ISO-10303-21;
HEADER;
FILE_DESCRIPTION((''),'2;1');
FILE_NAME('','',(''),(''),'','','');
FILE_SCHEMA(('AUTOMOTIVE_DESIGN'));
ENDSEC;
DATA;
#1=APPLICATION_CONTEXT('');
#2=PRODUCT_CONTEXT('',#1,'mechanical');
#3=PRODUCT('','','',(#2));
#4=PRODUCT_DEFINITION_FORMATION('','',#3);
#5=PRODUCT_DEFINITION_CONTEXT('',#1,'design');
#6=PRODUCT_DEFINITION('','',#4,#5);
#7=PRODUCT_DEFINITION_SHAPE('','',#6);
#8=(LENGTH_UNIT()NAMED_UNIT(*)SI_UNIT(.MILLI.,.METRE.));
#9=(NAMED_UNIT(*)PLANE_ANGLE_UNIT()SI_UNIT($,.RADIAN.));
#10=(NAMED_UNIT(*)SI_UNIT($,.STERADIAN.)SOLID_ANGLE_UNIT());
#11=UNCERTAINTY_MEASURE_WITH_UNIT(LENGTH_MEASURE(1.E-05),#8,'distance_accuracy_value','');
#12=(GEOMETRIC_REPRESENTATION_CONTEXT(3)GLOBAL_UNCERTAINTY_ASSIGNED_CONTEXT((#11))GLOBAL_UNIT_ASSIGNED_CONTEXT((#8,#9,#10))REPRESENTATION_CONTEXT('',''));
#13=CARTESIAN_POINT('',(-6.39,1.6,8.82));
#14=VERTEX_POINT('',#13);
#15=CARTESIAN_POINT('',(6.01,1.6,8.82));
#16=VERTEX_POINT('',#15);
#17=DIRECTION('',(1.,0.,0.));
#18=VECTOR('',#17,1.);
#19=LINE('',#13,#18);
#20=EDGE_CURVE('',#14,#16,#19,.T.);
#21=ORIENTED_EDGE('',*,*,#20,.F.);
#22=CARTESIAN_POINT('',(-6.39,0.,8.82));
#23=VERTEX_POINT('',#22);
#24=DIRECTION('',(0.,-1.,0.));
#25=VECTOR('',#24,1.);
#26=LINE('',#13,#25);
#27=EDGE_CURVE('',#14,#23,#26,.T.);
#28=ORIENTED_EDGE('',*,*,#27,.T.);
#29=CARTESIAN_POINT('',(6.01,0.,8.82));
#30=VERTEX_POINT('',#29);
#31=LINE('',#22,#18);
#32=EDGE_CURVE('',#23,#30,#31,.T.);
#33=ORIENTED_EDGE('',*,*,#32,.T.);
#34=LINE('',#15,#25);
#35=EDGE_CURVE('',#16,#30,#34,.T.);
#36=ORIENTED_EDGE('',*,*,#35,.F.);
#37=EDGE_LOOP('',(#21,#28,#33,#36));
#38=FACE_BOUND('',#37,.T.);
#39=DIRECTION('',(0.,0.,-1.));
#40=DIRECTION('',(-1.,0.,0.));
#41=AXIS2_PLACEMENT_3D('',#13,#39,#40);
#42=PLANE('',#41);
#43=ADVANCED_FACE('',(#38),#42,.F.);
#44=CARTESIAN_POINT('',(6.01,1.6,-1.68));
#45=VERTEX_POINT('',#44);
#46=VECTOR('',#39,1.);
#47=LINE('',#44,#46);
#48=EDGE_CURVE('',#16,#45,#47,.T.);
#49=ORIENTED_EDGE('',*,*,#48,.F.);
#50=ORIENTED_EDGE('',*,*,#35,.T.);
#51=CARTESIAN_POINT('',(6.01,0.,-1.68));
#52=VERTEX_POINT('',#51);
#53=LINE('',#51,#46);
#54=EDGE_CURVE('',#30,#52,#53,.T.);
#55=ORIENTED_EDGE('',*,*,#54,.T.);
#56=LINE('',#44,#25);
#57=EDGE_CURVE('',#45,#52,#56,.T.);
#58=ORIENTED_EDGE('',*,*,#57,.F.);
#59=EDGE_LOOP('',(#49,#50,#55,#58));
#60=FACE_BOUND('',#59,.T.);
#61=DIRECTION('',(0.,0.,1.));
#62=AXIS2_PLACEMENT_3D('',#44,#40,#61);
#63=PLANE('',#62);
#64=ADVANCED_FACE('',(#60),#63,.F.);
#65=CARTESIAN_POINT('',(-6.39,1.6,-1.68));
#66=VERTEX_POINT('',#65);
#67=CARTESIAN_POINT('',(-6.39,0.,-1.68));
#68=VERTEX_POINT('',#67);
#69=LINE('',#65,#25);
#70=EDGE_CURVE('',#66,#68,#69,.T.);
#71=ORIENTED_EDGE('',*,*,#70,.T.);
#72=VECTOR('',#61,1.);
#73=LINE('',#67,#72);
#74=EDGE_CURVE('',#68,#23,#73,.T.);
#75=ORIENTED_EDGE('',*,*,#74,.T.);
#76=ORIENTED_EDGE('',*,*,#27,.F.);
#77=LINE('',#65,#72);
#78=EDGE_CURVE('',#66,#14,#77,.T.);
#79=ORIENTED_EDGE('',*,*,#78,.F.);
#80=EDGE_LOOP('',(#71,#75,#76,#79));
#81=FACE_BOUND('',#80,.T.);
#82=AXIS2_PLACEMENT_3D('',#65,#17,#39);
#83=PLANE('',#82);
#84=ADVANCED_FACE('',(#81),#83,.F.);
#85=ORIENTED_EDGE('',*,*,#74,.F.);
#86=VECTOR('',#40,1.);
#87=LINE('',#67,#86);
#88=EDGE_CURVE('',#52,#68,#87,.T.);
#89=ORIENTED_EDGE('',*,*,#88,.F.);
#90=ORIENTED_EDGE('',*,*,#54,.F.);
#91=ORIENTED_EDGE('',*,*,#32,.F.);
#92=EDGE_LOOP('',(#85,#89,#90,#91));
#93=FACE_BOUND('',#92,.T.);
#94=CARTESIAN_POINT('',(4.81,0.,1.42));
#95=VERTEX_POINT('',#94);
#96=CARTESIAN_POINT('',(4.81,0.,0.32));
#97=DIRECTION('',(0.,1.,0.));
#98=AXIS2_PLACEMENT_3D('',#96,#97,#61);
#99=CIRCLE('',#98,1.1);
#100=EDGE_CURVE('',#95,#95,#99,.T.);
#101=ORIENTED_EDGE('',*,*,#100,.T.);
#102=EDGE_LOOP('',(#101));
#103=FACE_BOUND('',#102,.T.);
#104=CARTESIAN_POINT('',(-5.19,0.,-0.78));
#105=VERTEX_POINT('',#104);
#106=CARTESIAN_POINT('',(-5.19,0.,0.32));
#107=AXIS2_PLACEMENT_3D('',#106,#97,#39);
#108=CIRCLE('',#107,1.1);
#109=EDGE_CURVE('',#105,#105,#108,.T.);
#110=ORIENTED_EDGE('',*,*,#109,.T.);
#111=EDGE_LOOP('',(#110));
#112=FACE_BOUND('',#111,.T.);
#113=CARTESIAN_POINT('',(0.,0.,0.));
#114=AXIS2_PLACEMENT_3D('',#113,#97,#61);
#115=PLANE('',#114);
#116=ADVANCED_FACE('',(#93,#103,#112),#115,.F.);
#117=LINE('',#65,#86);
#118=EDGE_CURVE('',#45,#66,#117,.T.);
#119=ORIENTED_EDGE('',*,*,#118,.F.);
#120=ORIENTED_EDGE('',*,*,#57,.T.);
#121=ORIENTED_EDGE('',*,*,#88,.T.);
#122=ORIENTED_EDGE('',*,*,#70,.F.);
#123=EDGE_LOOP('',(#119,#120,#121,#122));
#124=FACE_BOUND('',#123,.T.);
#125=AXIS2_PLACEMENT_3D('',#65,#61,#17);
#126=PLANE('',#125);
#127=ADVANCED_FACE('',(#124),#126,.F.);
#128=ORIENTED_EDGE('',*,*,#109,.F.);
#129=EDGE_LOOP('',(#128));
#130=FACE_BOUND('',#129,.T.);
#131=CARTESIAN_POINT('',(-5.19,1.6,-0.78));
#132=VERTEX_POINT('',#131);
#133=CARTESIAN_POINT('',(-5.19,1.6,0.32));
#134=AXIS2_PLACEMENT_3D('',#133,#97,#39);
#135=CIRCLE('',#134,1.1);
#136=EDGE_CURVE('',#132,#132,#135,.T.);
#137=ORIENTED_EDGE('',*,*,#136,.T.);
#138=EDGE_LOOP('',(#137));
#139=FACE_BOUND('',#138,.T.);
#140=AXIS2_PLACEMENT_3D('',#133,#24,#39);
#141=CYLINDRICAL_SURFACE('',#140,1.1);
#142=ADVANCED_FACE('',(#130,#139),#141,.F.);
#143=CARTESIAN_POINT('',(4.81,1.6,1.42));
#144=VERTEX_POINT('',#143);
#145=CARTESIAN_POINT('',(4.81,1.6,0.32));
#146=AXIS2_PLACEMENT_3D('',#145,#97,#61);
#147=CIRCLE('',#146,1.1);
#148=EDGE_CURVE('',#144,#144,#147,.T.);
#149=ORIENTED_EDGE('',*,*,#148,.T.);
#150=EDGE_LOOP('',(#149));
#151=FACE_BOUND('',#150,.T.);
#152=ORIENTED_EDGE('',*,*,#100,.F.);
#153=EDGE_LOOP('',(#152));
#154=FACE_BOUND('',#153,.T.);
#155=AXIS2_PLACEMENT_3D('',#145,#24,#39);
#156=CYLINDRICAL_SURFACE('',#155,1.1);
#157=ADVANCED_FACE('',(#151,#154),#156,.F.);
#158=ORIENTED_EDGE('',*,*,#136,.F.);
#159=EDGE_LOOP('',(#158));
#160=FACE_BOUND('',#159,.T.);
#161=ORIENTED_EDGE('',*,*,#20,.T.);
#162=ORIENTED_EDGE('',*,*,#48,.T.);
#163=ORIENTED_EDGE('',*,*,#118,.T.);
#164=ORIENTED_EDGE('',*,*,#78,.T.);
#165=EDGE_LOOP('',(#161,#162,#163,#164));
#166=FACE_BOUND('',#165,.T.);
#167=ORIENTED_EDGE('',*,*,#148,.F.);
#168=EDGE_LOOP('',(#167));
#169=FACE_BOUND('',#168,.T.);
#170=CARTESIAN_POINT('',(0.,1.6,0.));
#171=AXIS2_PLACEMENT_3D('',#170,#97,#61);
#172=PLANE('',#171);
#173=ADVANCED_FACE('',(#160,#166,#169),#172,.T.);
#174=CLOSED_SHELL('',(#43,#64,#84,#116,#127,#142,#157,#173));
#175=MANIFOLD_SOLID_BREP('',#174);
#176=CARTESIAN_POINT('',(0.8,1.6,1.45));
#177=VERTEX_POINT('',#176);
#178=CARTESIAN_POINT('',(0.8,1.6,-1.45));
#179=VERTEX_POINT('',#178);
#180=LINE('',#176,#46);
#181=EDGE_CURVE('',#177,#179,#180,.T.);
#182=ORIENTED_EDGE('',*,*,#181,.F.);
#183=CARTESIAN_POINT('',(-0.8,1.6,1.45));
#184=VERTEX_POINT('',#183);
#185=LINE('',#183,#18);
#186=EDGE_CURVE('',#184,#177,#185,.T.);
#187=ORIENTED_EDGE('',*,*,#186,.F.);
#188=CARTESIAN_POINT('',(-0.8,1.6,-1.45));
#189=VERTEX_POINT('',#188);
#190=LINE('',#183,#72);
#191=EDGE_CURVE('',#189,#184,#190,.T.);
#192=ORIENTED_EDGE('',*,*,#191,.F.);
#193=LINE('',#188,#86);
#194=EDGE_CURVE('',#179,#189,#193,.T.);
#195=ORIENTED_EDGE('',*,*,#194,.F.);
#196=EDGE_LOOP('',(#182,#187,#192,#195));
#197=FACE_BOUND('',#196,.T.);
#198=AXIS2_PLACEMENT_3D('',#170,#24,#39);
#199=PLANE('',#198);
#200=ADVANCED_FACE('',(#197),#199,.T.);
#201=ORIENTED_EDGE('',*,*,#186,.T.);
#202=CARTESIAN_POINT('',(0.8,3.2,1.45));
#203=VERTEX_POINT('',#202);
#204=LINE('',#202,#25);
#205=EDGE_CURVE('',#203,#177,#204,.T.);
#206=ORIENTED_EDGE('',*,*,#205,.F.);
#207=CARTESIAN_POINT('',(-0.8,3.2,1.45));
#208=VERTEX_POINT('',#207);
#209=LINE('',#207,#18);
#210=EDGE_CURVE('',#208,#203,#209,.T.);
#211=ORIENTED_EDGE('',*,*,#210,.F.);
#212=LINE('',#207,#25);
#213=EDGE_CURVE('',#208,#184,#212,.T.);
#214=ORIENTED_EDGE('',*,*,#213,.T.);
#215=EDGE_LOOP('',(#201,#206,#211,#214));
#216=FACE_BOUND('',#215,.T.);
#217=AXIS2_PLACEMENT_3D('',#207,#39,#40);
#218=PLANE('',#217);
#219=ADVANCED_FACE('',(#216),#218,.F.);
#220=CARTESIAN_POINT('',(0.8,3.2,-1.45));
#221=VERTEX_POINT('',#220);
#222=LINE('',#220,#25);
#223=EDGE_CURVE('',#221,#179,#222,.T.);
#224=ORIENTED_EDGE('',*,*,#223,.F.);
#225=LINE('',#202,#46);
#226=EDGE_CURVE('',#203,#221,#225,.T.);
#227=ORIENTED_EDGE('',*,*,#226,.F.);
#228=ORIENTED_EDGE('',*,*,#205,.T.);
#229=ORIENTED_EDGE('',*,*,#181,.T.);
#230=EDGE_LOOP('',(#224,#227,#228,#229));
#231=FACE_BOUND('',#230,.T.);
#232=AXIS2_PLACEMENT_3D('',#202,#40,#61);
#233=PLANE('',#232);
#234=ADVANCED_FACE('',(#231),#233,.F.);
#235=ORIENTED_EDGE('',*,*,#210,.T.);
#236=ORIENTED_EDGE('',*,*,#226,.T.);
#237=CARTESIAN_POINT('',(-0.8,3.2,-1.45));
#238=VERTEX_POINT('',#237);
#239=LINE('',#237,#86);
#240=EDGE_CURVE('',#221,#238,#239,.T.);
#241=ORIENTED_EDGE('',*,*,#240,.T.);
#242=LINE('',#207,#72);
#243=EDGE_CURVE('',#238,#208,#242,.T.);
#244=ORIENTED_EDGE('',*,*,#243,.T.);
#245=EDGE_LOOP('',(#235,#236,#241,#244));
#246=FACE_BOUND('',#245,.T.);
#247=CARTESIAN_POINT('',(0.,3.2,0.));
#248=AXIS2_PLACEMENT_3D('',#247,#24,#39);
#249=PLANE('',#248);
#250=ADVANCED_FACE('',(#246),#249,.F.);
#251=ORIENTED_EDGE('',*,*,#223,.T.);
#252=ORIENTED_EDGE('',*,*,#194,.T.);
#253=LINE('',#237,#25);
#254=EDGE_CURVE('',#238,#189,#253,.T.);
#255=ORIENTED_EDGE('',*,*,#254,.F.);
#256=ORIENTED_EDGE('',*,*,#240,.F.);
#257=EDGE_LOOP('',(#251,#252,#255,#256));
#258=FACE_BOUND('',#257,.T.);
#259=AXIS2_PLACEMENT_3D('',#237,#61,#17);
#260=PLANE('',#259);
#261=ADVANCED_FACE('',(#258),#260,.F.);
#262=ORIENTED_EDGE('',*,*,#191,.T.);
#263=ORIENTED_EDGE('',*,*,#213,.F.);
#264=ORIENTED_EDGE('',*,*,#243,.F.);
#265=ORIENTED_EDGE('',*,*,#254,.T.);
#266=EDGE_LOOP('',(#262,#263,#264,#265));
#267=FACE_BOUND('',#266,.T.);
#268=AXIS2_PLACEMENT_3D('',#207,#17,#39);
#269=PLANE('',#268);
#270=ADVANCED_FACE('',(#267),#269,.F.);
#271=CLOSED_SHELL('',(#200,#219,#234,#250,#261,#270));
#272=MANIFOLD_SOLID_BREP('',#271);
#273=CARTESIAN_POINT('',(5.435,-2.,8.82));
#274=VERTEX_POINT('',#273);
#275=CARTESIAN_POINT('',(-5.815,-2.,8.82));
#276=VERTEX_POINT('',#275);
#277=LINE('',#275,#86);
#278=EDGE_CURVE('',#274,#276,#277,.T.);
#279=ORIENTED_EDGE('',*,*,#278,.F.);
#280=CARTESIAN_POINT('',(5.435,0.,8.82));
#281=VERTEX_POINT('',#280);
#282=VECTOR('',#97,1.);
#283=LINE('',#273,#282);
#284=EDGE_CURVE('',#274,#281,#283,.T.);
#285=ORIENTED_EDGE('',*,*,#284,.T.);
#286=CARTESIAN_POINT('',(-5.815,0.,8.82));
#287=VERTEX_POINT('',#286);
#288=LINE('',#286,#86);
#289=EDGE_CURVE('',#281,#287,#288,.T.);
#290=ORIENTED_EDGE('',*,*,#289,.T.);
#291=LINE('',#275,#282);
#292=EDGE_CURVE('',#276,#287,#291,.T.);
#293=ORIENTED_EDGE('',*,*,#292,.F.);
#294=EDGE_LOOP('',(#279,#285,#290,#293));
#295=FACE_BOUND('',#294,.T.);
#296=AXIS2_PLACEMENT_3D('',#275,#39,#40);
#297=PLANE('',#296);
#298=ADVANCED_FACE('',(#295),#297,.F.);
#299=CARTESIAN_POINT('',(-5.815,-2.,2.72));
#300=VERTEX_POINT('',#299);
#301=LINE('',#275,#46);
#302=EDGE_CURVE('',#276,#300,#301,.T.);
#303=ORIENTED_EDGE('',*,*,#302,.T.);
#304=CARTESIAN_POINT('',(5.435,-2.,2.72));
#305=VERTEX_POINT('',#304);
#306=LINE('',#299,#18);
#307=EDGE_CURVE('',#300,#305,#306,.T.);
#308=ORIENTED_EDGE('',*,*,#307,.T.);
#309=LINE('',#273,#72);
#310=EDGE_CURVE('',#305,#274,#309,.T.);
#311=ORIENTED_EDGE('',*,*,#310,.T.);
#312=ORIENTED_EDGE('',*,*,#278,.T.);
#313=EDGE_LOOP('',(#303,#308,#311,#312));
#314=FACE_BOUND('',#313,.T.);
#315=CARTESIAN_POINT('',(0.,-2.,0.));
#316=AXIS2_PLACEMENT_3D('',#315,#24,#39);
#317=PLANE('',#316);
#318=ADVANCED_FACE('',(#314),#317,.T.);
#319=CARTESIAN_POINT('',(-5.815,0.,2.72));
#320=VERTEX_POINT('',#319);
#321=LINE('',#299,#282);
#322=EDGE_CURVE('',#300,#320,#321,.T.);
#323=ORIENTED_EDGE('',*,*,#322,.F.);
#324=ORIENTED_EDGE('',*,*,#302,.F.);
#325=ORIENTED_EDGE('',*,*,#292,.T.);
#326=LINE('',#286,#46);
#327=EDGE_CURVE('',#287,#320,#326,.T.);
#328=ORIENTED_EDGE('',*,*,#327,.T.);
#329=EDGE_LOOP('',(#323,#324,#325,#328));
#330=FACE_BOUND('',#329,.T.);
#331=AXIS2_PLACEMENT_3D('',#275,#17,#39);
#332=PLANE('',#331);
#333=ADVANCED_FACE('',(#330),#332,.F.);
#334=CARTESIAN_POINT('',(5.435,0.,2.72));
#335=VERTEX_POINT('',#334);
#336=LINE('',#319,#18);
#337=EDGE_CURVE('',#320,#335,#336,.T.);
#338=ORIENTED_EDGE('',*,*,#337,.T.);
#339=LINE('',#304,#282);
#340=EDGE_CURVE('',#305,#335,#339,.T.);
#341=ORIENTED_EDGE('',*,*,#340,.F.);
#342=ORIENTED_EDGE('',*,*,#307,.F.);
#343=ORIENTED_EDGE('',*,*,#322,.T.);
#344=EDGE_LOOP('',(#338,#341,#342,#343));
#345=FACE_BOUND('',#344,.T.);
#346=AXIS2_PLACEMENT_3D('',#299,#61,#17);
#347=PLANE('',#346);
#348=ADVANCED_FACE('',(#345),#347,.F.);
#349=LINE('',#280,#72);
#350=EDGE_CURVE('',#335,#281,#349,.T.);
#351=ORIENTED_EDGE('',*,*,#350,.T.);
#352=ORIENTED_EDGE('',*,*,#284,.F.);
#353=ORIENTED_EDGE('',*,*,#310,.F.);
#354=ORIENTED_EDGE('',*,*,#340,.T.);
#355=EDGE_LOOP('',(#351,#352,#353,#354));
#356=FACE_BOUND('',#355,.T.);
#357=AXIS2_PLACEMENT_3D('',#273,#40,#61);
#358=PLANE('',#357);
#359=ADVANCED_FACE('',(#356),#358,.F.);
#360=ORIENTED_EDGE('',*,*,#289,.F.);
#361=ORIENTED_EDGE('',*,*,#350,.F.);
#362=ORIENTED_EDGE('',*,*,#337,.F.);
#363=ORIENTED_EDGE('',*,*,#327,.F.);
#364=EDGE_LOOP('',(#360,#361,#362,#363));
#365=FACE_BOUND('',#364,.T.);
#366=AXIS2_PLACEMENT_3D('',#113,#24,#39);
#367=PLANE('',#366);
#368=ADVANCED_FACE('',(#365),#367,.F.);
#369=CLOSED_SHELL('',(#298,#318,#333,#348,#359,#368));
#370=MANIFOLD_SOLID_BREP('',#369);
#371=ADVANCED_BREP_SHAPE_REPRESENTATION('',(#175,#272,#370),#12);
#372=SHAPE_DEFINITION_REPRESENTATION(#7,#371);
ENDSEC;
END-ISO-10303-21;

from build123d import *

# Parameters (mm, degrees)
SKETCH1_W           = 12.4
SKETCH1_H           = 10.5
BOSS_EXTRUDE1_DEPTH = 1.6
SKETCH2_R           = 1.1
CUT_EXTRUDE1_DEPTH  = 12.008383169
SKETCH3_W           = 1.6
SKETCH3_H           = 2.9
BOSS_EXTRUDE2_DEPTH = 1.6
SKETCH4_W           = 11.25
SKETCH4_H           = 6.1
BOSS_EXTRUDE3_DEPTH = 2


with BuildPart() as part:
    # Sketch1 → Boss-Extrude1 (new body)
    with BuildSketch(Plane(origin=(0, 0, 0), x_dir=(1, 0, 0), z_dir=(0, 1, 0))):
        with Locations((-0.19, -3.57)):
            Rectangle(SKETCH1_W, SKETCH1_H)
    extrude(amount=BOSS_EXTRUDE1_DEPTH)

    # Sketch2 → Cut-Extrude1 (cut, through all)
    with BuildSketch(Plane(origin=(0, 0, 0), x_dir=(1, 0, 0), z_dir=(0, 1, 0))):
        with Locations((4.81, -0.32)):
            Circle(SKETCH2_R)
        with Locations((-5.19, -0.32)):
            Circle(SKETCH2_R)
    extrude(amount=CUT_EXTRUDE1_DEPTH, mode=Mode.SUBTRACT)


with BuildPart() as body_2:
    # Sketch3 → Boss-Extrude2 (new body)
    with BuildSketch(Plane(origin=(0, 1.6, 0), x_dir=(1, 0, 0), z_dir=(0, 1, 0))):
        Rectangle(SKETCH3_W, SKETCH3_H)
    extrude(amount=BOSS_EXTRUDE2_DEPTH)


with BuildPart() as body_3:
    # Sketch4 → Boss-Extrude3 (new body)
    with BuildSketch(Plane.XZ):
        with Locations((-0.19, 5.77)):
            Rectangle(SKETCH4_W, SKETCH4_H)
    extrude(amount=BOSS_EXTRUDE3_DEPTH)


solid = Compound([part.part, body_2.part, body_3.part])
